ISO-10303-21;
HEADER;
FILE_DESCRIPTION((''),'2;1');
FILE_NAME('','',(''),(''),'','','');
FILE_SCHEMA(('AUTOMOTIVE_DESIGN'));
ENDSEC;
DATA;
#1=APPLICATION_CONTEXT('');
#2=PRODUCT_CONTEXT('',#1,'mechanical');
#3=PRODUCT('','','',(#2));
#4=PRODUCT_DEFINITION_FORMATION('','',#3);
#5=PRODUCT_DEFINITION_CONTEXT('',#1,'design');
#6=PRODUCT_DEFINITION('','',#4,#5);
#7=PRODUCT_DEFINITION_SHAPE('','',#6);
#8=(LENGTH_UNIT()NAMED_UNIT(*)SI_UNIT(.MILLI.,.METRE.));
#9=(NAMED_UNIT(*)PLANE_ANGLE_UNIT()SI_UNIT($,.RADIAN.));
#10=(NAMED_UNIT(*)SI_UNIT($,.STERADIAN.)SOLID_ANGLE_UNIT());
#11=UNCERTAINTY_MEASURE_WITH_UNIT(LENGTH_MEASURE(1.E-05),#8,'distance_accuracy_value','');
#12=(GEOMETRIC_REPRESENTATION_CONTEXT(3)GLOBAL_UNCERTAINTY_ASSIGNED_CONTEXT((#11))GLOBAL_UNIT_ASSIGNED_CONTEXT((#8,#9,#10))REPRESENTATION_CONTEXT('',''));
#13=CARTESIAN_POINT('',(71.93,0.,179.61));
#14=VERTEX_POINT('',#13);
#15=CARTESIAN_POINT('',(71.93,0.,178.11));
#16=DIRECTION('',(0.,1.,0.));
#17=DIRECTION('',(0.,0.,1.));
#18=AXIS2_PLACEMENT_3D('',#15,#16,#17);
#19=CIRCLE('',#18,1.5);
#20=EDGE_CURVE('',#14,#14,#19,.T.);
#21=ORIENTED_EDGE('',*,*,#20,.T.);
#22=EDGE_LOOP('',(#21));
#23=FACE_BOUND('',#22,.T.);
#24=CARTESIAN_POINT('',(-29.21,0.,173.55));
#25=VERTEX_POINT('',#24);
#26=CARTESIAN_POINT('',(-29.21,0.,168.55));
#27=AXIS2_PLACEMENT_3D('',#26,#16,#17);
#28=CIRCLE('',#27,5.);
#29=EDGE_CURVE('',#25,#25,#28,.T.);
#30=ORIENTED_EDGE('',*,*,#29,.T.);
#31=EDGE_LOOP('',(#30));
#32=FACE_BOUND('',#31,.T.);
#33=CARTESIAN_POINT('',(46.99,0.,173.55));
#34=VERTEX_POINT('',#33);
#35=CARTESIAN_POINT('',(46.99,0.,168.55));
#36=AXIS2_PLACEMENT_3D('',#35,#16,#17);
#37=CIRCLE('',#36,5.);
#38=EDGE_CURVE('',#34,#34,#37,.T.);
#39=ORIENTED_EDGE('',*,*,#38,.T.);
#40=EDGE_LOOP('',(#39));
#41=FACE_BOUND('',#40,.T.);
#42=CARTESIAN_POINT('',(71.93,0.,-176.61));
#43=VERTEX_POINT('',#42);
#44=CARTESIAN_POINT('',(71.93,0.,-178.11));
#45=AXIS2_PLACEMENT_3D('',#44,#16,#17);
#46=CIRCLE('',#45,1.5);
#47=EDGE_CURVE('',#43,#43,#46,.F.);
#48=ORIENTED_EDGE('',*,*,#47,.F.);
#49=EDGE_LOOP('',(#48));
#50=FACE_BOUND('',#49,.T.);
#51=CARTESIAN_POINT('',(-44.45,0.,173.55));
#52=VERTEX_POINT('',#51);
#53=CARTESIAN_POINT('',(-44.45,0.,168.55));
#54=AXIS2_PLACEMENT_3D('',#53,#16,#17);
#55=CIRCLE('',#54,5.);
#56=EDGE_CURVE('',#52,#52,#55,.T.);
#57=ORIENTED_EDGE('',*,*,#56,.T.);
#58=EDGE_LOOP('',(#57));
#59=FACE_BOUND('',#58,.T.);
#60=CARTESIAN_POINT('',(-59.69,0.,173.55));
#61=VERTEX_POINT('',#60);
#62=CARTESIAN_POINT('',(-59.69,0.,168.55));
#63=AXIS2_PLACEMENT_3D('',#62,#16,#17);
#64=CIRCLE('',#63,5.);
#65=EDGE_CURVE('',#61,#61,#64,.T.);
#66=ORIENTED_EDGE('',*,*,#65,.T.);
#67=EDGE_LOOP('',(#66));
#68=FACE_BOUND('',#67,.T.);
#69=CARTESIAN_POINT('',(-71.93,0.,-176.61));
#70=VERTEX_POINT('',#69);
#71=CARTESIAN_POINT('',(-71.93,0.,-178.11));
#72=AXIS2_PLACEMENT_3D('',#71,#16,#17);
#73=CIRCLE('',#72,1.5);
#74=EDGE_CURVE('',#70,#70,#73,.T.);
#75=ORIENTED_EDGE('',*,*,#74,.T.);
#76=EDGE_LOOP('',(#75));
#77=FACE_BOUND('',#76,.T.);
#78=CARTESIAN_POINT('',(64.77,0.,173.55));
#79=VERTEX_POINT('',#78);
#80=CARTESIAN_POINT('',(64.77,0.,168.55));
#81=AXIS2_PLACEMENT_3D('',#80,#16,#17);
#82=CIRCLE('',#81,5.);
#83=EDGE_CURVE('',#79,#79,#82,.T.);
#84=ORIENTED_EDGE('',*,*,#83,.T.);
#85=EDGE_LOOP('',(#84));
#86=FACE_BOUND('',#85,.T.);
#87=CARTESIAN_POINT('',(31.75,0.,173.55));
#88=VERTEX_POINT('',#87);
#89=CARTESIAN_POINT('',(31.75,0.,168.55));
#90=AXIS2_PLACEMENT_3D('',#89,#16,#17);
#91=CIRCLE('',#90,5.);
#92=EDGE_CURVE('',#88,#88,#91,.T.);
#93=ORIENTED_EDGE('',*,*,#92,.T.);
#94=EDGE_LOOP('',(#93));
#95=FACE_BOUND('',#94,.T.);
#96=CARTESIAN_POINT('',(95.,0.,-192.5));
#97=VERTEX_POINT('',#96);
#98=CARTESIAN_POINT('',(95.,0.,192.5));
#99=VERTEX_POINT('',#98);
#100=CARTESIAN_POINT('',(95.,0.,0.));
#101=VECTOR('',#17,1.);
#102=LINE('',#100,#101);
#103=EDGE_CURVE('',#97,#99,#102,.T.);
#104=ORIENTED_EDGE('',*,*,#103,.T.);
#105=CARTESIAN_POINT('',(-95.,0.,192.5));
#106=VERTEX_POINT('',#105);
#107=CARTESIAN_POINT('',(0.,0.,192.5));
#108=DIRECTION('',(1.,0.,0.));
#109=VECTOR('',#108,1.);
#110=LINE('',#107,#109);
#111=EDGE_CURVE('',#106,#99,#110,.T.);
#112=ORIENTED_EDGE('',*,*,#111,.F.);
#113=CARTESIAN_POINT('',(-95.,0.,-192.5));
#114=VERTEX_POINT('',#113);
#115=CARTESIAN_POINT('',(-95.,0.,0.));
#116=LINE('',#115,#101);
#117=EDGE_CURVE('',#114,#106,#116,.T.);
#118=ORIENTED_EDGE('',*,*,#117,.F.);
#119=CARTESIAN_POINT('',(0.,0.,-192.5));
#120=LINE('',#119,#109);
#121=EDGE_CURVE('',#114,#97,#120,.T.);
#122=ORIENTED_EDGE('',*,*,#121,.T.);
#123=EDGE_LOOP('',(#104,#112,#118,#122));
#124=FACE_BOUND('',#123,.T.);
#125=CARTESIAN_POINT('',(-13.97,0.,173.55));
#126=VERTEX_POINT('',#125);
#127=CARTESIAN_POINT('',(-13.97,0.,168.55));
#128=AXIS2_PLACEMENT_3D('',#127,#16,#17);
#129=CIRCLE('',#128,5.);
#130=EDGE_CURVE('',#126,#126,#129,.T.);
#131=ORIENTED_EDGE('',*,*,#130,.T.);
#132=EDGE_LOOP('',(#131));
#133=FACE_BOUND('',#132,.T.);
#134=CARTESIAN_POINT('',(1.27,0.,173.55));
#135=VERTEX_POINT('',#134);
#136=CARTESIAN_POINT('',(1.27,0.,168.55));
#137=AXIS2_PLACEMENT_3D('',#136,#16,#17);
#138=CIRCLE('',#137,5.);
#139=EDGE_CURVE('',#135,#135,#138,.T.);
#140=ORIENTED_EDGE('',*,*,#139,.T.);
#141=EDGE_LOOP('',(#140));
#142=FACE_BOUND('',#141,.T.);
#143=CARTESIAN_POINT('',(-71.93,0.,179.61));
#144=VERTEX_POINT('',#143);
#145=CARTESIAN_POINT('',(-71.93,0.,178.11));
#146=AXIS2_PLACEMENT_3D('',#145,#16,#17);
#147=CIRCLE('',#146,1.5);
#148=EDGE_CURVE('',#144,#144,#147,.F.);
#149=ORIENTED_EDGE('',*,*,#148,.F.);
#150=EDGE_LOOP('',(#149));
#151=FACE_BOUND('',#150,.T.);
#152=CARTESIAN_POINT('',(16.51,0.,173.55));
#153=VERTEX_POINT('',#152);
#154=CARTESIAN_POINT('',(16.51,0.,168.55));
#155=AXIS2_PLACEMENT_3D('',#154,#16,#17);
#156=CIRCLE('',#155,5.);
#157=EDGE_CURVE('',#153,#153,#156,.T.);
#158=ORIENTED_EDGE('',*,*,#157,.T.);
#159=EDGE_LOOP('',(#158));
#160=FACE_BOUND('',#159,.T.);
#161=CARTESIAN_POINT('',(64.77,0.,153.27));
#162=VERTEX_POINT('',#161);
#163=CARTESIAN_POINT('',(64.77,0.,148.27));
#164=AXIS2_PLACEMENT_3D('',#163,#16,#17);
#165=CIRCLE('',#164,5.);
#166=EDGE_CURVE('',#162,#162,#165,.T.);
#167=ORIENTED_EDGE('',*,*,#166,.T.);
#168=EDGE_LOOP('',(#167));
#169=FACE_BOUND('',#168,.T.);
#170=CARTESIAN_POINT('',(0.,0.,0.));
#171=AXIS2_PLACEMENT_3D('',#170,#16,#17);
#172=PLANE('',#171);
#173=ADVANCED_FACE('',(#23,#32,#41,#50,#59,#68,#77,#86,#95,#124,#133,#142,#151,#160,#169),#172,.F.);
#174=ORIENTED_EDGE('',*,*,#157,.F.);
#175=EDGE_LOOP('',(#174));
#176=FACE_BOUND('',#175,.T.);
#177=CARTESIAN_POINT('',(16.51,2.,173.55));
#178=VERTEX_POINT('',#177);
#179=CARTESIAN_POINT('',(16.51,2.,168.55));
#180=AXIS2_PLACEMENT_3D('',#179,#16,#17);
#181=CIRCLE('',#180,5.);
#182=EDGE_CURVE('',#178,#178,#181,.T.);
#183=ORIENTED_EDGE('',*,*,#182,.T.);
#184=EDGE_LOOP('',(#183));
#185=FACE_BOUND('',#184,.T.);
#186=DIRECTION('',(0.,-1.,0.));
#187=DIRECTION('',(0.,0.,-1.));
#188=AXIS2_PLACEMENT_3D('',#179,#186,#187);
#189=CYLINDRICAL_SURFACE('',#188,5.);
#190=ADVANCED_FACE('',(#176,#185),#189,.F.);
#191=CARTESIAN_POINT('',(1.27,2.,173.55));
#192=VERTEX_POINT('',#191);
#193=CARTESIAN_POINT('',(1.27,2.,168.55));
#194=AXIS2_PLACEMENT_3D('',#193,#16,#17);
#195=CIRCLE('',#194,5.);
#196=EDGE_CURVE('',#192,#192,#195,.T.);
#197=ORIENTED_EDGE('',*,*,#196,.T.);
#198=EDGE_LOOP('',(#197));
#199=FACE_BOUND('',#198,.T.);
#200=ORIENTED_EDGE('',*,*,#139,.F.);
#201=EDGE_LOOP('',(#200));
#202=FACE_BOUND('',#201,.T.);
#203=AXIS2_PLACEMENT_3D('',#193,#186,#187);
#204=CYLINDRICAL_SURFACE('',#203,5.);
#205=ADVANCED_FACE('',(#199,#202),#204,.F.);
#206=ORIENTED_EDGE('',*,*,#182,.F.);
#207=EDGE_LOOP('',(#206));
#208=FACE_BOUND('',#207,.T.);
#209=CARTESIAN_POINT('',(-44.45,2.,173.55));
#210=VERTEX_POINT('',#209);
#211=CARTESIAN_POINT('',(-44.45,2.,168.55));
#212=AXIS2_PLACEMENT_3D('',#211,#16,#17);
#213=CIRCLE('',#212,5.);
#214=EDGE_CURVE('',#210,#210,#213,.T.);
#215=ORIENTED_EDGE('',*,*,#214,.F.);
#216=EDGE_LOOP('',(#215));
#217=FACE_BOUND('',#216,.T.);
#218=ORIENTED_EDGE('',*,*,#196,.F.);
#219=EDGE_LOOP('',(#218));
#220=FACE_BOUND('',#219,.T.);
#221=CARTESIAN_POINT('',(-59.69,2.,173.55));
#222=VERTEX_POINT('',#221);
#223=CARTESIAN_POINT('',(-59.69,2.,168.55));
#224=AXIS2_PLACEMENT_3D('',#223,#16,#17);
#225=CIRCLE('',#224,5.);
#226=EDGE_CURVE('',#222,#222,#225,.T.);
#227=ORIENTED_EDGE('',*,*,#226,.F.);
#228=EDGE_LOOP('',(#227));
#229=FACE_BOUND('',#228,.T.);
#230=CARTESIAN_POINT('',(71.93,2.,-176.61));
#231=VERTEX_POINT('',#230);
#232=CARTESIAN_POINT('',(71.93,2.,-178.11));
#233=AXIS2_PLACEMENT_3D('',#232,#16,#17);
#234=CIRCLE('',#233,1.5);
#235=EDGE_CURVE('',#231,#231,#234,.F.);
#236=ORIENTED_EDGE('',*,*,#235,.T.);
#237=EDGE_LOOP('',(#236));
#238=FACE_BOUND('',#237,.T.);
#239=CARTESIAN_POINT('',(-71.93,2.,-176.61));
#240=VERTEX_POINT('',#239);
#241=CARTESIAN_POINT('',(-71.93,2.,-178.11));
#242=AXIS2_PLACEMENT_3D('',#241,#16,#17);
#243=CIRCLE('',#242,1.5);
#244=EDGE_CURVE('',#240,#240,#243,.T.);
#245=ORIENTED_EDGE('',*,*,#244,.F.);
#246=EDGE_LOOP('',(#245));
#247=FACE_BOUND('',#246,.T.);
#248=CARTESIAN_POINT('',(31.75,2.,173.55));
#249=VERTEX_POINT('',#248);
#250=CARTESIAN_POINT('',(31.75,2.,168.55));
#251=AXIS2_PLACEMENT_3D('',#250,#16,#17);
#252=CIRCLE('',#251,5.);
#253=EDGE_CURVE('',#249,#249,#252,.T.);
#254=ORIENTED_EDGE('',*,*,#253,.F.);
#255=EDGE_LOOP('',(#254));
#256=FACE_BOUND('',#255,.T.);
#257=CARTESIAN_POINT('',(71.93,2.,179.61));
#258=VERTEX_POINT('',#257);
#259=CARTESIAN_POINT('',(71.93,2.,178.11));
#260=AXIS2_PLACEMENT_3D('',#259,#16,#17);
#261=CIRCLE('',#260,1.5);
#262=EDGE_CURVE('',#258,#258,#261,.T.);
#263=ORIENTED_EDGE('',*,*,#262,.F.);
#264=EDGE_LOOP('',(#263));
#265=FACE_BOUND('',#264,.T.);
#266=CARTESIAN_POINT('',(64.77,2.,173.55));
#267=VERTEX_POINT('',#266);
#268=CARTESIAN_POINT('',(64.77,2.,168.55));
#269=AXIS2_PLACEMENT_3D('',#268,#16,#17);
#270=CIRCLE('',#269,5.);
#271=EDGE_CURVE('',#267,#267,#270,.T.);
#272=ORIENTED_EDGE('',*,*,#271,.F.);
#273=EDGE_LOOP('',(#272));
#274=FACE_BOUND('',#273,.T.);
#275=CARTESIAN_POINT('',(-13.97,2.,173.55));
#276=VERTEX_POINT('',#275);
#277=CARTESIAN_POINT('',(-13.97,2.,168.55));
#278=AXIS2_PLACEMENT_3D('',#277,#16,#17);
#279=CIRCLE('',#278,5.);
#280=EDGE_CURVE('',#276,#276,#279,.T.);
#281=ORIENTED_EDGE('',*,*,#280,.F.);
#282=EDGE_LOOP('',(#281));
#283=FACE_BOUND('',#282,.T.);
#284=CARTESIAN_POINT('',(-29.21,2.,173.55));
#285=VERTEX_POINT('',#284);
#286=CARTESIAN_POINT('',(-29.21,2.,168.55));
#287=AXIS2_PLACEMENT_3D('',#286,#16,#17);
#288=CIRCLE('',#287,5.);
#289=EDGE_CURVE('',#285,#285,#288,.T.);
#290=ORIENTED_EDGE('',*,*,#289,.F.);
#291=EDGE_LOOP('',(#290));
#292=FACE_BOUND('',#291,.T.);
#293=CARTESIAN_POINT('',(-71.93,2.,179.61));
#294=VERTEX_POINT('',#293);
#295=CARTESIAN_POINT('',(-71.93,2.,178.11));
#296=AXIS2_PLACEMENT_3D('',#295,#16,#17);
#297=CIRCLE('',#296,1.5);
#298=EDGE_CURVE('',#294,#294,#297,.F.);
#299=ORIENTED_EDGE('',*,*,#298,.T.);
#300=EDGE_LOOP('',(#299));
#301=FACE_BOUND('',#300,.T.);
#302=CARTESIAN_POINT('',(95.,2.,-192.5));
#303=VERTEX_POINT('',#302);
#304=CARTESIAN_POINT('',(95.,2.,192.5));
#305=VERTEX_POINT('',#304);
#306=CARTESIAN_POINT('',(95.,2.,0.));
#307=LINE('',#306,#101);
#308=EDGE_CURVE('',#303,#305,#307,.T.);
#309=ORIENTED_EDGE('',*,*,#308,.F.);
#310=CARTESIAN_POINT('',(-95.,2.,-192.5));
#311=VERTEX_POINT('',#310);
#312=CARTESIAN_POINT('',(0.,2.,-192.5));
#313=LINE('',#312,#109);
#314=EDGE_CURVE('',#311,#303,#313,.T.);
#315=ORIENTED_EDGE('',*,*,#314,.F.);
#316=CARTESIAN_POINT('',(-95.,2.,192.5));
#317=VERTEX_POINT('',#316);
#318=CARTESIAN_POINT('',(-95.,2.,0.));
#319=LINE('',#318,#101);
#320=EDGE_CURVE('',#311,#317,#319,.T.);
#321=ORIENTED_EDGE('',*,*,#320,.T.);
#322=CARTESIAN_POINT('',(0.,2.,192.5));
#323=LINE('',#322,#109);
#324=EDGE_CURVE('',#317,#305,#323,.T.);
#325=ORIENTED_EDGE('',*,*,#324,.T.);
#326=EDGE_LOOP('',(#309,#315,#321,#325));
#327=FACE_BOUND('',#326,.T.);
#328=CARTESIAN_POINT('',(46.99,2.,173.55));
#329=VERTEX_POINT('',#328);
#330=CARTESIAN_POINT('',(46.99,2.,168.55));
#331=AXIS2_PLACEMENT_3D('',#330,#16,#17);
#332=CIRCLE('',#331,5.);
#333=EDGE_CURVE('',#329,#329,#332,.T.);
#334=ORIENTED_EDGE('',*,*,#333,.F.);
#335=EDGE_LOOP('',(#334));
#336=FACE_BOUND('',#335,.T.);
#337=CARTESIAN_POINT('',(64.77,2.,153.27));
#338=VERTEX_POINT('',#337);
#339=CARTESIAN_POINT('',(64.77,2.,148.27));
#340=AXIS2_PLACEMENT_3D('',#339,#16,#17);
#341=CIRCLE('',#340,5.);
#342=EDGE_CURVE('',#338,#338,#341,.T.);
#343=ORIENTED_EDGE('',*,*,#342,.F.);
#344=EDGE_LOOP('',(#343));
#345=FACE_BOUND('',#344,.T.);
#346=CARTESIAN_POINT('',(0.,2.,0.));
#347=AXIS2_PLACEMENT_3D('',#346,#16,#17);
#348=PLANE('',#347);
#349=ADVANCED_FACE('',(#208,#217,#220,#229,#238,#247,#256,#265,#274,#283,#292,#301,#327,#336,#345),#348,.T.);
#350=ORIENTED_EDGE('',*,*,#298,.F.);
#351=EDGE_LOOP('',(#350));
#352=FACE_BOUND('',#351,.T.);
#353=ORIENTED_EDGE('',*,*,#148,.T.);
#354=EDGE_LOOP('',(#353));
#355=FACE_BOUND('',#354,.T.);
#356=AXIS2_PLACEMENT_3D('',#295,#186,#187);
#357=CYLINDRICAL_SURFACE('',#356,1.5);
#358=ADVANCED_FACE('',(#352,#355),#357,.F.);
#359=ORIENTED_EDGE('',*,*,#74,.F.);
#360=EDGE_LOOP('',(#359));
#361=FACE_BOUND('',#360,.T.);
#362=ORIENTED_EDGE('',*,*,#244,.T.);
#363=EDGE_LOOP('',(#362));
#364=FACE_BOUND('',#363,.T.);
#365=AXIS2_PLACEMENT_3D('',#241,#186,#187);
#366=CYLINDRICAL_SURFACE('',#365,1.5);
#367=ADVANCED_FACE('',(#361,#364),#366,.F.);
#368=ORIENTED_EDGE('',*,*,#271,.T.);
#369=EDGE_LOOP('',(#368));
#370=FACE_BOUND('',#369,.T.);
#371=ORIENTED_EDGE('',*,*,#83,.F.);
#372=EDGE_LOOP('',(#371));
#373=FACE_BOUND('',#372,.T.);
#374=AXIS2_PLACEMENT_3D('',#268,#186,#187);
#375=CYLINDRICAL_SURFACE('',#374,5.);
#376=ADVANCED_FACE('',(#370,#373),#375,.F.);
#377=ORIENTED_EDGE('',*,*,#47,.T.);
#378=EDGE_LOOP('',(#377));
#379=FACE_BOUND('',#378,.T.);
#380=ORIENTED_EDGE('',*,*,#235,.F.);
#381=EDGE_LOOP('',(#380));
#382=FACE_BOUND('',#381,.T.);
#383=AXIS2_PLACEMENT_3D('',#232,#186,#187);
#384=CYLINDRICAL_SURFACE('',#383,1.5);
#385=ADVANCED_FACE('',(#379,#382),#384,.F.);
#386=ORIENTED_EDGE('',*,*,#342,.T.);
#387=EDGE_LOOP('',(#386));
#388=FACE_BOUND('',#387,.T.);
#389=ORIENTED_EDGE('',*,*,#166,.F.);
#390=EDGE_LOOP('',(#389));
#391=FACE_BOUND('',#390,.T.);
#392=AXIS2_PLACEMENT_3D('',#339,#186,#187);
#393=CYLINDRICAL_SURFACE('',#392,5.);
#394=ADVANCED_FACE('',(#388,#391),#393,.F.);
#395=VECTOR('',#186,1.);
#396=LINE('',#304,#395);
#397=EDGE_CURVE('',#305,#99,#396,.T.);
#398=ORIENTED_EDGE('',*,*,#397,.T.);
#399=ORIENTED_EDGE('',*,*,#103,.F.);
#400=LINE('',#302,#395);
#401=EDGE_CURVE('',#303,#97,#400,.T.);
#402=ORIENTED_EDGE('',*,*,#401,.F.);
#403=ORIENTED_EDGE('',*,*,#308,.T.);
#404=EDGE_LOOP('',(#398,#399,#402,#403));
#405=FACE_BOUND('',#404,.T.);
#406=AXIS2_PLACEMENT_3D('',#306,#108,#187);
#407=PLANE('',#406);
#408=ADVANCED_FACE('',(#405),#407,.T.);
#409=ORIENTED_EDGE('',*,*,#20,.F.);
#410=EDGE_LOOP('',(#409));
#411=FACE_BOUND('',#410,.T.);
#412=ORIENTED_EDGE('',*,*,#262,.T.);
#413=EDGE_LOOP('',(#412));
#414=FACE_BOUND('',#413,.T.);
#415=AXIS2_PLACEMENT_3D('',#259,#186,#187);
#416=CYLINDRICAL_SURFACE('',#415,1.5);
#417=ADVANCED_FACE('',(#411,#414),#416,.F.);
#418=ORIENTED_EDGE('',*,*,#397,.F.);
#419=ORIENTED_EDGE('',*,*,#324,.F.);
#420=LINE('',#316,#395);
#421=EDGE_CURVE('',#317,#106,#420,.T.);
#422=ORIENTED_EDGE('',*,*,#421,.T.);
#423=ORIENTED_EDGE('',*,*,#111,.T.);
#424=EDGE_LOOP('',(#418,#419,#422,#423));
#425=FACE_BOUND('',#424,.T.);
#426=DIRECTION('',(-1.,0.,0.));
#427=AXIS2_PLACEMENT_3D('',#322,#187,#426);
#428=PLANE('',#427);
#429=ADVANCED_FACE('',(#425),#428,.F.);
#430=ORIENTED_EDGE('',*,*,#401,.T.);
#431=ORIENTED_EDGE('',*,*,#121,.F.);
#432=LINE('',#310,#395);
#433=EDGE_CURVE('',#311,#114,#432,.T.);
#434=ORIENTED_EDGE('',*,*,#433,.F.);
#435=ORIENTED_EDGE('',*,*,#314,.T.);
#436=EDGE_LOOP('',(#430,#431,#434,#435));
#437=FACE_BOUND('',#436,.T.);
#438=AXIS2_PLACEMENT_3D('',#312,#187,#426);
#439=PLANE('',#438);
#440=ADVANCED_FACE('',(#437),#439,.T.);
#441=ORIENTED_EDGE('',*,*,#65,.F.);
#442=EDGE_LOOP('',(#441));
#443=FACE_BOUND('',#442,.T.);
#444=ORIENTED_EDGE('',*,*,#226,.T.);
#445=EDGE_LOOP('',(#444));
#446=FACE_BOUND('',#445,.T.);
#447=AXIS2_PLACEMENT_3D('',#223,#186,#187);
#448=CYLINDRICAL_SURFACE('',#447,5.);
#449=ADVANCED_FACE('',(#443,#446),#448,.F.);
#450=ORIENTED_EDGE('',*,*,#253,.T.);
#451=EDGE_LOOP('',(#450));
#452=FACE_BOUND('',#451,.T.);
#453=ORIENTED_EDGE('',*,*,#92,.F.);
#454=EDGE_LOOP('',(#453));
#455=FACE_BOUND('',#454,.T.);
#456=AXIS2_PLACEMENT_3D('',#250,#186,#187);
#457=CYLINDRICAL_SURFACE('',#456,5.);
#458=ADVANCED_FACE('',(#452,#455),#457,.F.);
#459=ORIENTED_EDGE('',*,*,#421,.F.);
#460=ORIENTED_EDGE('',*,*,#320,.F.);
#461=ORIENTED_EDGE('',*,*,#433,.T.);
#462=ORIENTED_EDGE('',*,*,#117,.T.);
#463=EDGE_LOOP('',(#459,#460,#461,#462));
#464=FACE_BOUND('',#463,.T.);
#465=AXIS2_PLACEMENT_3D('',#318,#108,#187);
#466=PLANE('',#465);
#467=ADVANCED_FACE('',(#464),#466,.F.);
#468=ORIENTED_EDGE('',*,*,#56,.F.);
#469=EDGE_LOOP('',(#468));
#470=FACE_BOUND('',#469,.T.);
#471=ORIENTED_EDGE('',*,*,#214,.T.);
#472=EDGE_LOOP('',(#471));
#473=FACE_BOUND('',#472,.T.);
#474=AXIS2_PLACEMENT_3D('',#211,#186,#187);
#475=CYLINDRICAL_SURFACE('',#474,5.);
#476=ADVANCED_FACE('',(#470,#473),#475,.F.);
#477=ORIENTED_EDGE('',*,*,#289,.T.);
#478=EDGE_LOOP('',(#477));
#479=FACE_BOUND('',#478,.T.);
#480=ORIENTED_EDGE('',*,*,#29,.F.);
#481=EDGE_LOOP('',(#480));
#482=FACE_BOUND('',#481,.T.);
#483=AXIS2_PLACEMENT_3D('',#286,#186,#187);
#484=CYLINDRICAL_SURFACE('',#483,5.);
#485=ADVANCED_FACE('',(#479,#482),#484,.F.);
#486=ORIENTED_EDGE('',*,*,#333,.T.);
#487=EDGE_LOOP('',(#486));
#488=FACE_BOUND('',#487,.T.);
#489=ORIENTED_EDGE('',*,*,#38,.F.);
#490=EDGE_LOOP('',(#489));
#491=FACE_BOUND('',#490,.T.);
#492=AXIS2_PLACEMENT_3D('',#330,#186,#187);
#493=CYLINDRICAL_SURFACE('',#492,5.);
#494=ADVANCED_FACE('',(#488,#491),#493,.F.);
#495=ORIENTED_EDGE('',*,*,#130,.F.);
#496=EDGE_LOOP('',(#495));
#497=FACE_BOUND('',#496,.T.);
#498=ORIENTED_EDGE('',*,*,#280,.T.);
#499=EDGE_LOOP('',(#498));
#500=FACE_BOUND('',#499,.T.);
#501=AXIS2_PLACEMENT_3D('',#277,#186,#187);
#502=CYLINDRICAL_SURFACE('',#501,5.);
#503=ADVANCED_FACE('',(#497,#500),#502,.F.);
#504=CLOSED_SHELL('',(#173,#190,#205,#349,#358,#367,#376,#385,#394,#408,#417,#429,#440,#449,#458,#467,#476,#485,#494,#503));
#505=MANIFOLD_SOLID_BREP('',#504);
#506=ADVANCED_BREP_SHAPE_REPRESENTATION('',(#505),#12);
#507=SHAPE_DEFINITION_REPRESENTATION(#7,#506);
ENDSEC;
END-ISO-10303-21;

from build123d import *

# Parameters (mm, degrees)
SKETCH1_W           = 190
SKETCH1_H           = 385
SKETCH1_R           = 5
SKETCH1_R_2         = 1.5
BOSS_EXTRUDE1_DEPTH = 2


with BuildPart() as part:
    # Sketch1 → Boss-Extrude1 (new body)
    with BuildSketch(Plane(origin=(0, 0, 0), x_dir=(1, 0, 0), z_dir=(0, 1, 0))):
        Rectangle(SKETCH1_W, SKETCH1_H)
        with Locations(Location((-59.69, -168.55, 0), (0, 0, 270))):
            Circle(SKETCH1_R, mode=Mode.SUBTRACT)
        with Locations(Location((-44.45, -168.55, 0), (0, 0, 270))):
            Circle(SKETCH1_R, mode=Mode.SUBTRACT)
        with Locations(Location((-29.21, -168.55, 0), (0, 0, 270))):
            Circle(SKETCH1_R, mode=Mode.SUBTRACT)
        with Locations(Location((-13.97, -168.55, 0), (0, 0, 270))):
            Circle(SKETCH1_R, mode=Mode.SUBTRACT)
        with Locations(Location((1.27, -168.55, 0), (0, 0, 270))):
            Circle(SKETCH1_R, mode=Mode.SUBTRACT)
        with Locations(Location((16.51, -168.55, 0), (0, 0, 270))):
            Circle(SKETCH1_R, mode=Mode.SUBTRACT)
        with Locations(Location((31.75, -168.55, 0), (0, 0, 270))):
            Circle(SKETCH1_R, mode=Mode.SUBTRACT)
        with Locations(Location((46.99, -168.55, 0), (0, 0, 270))):
            Circle(SKETCH1_R, mode=Mode.SUBTRACT)
        with Locations(Location((64.77, -168.55, 0), (0, 0, 270))):
            Circle(SKETCH1_R, mode=Mode.SUBTRACT)
        with Locations(Location((64.77, -148.27, 0), (0, 0, 270))):
            Circle(SKETCH1_R, mode=Mode.SUBTRACT)
        with Locations(Location((-71.93, 178.11, 0), (0, 0, 270))):
            Circle(SKETCH1_R_2, mode=Mode.SUBTRACT)
        with Locations(Location((71.93, 178.11, 0), (0, 0, 270))):
            Circle(SKETCH1_R_2, mode=Mode.SUBTRACT)
        with Locations(Location((71.93, -178.11, 0), (0, 0, 270))):
            Circle(SKETCH1_R_2, mode=Mode.SUBTRACT)
        with Locations(Location((-71.93, -178.11, 0), (0, 0, 270))):
            Circle(SKETCH1_R_2, mode=Mode.SUBTRACT)
    extrude(amount=BOSS_EXTRUDE1_DEPTH)


solid = part.part
